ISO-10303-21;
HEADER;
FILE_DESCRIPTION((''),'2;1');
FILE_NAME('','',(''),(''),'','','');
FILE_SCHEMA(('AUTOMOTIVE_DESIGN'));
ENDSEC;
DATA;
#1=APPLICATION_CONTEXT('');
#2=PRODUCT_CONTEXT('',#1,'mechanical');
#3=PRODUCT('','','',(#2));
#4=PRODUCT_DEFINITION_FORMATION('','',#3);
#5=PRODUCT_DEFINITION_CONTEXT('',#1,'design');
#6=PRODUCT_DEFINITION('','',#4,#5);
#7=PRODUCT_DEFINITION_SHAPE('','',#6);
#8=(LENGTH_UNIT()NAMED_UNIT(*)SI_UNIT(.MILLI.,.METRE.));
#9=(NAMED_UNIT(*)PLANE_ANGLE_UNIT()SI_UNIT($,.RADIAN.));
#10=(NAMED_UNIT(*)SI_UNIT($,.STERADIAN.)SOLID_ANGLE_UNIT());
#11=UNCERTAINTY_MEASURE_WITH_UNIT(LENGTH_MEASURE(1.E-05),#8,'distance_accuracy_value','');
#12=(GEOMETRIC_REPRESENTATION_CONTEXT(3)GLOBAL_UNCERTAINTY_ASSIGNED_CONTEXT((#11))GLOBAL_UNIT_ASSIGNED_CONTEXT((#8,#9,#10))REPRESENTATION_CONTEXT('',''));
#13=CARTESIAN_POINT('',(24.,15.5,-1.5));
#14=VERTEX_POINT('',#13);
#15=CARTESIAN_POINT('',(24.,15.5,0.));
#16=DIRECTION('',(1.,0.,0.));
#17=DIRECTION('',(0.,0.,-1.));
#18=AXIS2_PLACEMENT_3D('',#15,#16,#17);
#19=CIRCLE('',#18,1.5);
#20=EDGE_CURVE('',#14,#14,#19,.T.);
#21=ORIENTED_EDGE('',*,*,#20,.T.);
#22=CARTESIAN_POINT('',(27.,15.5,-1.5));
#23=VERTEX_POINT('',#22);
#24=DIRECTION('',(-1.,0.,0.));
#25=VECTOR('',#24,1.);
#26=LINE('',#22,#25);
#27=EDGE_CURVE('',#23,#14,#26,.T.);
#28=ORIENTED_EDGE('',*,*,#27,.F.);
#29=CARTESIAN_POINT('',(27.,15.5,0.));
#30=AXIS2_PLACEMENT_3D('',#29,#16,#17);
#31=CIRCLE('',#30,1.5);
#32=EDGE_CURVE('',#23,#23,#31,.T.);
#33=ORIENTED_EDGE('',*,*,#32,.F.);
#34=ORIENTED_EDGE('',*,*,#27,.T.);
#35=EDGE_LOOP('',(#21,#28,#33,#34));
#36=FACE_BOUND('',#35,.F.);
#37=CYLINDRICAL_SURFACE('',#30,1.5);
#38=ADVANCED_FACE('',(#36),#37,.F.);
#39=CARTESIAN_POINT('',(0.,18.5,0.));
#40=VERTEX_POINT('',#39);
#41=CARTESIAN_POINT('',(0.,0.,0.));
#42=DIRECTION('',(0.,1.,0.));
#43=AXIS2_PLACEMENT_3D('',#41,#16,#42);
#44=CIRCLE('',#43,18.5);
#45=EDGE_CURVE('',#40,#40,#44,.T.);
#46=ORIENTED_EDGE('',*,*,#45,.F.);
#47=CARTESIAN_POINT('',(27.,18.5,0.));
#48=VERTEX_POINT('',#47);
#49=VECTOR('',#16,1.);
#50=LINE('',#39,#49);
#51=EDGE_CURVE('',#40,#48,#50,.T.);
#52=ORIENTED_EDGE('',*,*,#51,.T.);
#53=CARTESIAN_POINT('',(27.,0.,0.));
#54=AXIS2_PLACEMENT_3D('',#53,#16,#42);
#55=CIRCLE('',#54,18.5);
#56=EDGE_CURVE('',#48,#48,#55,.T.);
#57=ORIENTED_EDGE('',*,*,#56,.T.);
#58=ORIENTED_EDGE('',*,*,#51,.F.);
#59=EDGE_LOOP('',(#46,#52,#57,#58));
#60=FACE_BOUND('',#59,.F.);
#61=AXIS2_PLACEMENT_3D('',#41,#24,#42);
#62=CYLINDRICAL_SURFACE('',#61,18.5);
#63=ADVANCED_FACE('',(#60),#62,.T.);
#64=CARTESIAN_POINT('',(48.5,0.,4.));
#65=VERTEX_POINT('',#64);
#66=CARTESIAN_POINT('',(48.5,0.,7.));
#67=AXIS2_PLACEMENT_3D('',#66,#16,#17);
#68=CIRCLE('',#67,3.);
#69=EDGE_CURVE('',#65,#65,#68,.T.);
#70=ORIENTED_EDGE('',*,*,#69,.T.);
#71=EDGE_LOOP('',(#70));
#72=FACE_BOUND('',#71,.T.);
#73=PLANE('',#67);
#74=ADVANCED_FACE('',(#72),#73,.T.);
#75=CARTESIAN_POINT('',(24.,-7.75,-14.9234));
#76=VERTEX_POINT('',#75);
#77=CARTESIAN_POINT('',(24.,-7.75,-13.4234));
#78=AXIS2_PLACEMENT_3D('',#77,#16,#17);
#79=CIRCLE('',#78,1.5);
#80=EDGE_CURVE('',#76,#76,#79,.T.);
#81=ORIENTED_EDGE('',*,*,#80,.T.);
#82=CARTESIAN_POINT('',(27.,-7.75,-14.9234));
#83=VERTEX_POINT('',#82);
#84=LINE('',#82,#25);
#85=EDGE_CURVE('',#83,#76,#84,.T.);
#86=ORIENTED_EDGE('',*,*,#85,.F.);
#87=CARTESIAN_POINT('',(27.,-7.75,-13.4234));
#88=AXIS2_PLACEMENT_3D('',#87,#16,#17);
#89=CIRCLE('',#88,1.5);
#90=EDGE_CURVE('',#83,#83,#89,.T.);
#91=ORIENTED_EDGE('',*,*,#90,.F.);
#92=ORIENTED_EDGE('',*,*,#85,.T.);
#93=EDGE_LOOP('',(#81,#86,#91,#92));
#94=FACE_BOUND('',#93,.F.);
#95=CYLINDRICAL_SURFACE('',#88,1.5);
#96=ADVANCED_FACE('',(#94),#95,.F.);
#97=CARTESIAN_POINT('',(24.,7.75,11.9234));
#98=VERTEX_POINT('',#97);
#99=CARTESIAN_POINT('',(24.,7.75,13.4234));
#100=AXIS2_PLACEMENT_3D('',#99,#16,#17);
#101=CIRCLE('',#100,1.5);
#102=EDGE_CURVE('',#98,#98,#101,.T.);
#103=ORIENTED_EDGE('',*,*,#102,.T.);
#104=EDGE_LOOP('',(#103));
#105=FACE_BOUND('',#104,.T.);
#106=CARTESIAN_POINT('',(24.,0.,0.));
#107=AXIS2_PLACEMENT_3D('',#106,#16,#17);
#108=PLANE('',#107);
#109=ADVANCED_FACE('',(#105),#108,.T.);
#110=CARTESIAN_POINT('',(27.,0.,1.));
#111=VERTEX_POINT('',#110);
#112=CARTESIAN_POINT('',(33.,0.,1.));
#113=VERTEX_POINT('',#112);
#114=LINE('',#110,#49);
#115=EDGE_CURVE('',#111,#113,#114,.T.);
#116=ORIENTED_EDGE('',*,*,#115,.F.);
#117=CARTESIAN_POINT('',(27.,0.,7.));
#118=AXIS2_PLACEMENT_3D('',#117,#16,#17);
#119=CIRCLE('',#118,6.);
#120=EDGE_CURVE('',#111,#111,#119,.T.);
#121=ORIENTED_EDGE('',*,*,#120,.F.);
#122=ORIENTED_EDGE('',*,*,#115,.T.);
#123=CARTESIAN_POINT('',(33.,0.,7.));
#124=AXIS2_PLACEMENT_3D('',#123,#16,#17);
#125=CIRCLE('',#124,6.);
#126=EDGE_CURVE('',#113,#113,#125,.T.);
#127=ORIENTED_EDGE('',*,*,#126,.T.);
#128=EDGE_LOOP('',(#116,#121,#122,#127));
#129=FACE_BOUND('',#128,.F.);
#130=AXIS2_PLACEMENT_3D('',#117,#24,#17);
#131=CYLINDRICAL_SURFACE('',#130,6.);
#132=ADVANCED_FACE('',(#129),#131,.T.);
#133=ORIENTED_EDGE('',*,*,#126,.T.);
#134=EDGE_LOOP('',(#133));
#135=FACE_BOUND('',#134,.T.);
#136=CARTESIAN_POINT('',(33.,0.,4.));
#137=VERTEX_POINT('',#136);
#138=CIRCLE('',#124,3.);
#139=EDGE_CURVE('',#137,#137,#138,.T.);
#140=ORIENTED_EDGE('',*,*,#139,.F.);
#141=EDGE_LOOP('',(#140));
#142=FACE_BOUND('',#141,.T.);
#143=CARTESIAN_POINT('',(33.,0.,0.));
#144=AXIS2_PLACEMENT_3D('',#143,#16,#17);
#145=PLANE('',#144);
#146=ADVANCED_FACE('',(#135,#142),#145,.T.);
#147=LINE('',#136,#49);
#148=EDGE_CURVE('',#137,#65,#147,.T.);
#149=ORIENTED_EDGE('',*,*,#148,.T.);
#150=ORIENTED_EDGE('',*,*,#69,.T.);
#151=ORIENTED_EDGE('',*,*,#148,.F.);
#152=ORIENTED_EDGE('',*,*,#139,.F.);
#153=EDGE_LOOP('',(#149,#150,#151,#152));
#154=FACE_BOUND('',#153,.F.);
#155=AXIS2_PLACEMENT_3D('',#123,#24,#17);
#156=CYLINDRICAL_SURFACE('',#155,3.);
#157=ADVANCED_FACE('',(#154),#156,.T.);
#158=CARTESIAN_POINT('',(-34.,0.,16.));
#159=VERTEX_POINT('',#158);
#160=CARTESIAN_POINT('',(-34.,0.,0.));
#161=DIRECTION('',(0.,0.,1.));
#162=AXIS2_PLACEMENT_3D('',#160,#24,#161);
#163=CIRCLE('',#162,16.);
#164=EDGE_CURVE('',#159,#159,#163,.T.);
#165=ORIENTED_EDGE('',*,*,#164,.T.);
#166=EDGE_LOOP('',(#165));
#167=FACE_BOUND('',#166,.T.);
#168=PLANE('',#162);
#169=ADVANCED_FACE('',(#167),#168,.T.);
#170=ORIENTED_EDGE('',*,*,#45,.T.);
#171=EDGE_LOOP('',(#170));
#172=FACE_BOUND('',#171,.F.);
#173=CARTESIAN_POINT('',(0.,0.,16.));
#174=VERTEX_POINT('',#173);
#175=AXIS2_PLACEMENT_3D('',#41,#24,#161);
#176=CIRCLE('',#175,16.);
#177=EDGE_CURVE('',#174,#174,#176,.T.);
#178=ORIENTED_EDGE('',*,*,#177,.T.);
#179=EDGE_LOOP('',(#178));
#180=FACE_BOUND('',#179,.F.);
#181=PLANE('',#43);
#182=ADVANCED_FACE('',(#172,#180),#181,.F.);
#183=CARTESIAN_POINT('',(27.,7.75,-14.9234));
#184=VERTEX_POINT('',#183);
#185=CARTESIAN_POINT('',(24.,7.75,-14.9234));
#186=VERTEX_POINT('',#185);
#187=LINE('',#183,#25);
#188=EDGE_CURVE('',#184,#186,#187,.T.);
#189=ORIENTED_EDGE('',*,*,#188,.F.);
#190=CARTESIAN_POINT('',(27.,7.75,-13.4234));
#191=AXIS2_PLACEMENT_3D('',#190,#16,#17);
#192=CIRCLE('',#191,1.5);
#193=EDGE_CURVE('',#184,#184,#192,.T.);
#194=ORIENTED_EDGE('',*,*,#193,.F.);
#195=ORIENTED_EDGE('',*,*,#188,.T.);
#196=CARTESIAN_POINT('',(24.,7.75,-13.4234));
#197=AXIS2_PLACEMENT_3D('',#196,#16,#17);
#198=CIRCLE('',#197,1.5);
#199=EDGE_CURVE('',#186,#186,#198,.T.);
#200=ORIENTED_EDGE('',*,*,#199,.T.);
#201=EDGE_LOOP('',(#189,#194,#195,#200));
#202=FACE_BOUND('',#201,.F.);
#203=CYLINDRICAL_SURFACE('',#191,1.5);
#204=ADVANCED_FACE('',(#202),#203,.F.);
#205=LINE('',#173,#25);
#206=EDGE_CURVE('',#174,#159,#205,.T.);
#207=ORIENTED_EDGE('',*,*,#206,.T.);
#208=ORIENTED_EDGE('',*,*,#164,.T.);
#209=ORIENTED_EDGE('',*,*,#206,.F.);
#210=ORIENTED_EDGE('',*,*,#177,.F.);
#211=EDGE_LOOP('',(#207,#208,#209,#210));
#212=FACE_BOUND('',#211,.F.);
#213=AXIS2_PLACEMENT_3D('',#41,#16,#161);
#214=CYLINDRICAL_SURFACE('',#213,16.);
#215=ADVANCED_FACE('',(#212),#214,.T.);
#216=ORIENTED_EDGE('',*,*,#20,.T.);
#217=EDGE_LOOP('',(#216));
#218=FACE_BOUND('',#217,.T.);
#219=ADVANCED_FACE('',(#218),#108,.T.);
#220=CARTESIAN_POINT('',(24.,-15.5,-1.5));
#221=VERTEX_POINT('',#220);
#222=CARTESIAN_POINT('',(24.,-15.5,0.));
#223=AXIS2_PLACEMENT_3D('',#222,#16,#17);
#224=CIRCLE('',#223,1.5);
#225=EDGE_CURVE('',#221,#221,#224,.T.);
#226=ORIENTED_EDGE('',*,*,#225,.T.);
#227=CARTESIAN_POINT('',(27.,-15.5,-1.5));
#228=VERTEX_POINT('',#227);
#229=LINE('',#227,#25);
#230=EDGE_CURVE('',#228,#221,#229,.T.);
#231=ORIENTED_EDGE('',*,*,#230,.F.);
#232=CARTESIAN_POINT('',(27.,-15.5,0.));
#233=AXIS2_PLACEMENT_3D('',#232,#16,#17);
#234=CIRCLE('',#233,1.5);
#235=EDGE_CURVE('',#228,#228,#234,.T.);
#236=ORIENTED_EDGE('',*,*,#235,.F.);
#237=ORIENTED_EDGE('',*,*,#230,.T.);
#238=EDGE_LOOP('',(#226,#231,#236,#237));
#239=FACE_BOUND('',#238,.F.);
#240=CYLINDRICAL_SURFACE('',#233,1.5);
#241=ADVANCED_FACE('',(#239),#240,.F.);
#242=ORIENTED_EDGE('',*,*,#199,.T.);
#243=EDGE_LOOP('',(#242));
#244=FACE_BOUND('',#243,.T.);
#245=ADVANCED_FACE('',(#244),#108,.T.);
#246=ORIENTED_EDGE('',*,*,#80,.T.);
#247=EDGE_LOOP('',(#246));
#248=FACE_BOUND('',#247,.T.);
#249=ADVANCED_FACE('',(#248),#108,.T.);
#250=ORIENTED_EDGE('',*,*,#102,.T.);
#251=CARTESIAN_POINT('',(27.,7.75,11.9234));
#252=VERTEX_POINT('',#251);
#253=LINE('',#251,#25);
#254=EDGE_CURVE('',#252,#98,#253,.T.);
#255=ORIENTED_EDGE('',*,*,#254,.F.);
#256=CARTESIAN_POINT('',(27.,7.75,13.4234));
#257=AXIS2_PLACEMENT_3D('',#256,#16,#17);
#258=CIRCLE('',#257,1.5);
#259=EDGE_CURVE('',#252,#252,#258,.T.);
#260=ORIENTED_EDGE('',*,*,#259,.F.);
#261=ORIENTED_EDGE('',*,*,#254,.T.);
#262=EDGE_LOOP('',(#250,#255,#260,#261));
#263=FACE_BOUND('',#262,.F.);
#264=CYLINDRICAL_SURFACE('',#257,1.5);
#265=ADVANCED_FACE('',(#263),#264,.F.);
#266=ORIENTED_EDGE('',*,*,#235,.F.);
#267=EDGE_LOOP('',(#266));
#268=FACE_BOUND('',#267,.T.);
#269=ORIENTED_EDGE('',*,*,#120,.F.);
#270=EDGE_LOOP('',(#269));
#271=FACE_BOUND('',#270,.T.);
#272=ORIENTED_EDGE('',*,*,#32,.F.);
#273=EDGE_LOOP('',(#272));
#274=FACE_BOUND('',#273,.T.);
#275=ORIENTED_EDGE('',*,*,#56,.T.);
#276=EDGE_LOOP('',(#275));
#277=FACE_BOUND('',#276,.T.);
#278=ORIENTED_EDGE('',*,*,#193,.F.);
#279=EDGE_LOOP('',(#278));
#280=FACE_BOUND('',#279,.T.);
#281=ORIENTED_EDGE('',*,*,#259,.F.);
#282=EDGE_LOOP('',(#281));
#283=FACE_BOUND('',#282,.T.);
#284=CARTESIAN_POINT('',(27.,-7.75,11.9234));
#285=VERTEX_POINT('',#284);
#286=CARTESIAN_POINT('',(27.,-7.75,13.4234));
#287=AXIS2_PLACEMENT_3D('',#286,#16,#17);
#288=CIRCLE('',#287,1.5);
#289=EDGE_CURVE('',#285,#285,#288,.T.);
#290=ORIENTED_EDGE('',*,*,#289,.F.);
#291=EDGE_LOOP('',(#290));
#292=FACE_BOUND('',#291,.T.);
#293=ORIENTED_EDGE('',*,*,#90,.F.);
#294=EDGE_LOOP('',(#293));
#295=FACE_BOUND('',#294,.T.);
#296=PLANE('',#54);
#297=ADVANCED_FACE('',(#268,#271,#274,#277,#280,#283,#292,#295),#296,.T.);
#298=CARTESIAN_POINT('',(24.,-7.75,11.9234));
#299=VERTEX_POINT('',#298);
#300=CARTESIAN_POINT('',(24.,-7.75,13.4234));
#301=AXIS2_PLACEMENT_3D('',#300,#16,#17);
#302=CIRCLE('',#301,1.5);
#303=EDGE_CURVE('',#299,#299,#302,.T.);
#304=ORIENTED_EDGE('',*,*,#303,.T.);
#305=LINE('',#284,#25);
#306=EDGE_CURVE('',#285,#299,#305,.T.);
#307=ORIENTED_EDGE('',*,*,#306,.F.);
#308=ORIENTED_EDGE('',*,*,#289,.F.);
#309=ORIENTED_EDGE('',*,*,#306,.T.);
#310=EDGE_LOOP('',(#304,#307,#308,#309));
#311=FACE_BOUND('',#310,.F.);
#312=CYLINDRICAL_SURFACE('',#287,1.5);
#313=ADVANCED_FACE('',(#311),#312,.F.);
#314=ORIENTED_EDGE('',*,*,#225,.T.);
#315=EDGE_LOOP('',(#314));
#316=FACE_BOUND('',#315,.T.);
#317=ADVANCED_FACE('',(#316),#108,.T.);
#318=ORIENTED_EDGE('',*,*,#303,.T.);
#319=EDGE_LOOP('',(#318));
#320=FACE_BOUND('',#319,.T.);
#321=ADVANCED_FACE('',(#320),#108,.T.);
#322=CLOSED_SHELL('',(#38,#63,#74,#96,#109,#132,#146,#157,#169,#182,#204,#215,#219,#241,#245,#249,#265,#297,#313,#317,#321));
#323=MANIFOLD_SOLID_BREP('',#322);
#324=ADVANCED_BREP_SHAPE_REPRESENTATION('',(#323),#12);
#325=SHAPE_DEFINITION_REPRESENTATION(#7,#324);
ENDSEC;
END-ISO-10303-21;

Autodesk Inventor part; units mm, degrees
ref_plane "YZ Plane" through (0, 0, 0) normal (1, 0, 0) x (0, 1, 0)
ref_plane "XZ Plane" through (0, 0, 0) normal (0, 1, 0) x (-1, 0, 0)
ref_plane "XY Plane" through (0, 0, 0) normal (0, 0, 1) x (1, 0, 0)
sketch "Sketch1" plane through (0, 0, 0) normal (1, 0, 0) x (0, 1, 0)
  circle A0 centre (0, 0) radius 18.5
  dimension "d0" = 37
extrude "Extrusion1" add sketch "Sketch1" along normal blind 27
sketch "Sketch2" plane through (0, 0, 0) normal (-1, 0, 0) x (0, 0, 1)
  circle A0 centre (0, 0) radius 16
  dimension "d3" = 32
extrude "Extrusion2" add sketch "Sketch2" along normal blind 34
sketch "Sketch3" plane through (27, 0, 0) normal (1, 0, 0) x (0, 0, -1)
  circle A0 centre (0, 15.5) radius 1.5
  circle A1 centre (-13.4234, 7.75) radius 1.5
  circle A2 centre (-13.4234, -7.75) radius 1.5
  circle A3 centre (0, -15.5) radius 1.5
  circle A4 centre (13.4234, -7.75) radius 1.5
  circle A5 centre (13.4234, 7.75) radius 1.5
  point P0 (0, 0)
  dimension "d8" = 3
  dimension "d9" = 15.5
  dimension "d12" = 360
extrude "Extrusion3" cut sketch "Sketch3" against normal blind 3
sketch "Sketch4" plane through (27, 0, 0) normal (1, 0, 0) x (0, 0, -1)
  circle A0 centre (-7, 0) radius 6
  point P0 (0, 0)
  dimension "d16" = 12
  dimension "d17" = 7
extrude "Extrusion4" add sketch "Sketch4" along normal blind 6
sketch "Sketch5" plane through (33, 0, 7) normal (1, 0, 0) x (0, 0, -1)
  circle A0 centre (0, 0) radius 3
  point P0 (7, 0)
  dimension "d20" = 6
  dimension "d21" = 7
extrude "Extrusion5" add sketch "Sketch5" along normal blind 15.5
properties part number "SPG30_Motor"
